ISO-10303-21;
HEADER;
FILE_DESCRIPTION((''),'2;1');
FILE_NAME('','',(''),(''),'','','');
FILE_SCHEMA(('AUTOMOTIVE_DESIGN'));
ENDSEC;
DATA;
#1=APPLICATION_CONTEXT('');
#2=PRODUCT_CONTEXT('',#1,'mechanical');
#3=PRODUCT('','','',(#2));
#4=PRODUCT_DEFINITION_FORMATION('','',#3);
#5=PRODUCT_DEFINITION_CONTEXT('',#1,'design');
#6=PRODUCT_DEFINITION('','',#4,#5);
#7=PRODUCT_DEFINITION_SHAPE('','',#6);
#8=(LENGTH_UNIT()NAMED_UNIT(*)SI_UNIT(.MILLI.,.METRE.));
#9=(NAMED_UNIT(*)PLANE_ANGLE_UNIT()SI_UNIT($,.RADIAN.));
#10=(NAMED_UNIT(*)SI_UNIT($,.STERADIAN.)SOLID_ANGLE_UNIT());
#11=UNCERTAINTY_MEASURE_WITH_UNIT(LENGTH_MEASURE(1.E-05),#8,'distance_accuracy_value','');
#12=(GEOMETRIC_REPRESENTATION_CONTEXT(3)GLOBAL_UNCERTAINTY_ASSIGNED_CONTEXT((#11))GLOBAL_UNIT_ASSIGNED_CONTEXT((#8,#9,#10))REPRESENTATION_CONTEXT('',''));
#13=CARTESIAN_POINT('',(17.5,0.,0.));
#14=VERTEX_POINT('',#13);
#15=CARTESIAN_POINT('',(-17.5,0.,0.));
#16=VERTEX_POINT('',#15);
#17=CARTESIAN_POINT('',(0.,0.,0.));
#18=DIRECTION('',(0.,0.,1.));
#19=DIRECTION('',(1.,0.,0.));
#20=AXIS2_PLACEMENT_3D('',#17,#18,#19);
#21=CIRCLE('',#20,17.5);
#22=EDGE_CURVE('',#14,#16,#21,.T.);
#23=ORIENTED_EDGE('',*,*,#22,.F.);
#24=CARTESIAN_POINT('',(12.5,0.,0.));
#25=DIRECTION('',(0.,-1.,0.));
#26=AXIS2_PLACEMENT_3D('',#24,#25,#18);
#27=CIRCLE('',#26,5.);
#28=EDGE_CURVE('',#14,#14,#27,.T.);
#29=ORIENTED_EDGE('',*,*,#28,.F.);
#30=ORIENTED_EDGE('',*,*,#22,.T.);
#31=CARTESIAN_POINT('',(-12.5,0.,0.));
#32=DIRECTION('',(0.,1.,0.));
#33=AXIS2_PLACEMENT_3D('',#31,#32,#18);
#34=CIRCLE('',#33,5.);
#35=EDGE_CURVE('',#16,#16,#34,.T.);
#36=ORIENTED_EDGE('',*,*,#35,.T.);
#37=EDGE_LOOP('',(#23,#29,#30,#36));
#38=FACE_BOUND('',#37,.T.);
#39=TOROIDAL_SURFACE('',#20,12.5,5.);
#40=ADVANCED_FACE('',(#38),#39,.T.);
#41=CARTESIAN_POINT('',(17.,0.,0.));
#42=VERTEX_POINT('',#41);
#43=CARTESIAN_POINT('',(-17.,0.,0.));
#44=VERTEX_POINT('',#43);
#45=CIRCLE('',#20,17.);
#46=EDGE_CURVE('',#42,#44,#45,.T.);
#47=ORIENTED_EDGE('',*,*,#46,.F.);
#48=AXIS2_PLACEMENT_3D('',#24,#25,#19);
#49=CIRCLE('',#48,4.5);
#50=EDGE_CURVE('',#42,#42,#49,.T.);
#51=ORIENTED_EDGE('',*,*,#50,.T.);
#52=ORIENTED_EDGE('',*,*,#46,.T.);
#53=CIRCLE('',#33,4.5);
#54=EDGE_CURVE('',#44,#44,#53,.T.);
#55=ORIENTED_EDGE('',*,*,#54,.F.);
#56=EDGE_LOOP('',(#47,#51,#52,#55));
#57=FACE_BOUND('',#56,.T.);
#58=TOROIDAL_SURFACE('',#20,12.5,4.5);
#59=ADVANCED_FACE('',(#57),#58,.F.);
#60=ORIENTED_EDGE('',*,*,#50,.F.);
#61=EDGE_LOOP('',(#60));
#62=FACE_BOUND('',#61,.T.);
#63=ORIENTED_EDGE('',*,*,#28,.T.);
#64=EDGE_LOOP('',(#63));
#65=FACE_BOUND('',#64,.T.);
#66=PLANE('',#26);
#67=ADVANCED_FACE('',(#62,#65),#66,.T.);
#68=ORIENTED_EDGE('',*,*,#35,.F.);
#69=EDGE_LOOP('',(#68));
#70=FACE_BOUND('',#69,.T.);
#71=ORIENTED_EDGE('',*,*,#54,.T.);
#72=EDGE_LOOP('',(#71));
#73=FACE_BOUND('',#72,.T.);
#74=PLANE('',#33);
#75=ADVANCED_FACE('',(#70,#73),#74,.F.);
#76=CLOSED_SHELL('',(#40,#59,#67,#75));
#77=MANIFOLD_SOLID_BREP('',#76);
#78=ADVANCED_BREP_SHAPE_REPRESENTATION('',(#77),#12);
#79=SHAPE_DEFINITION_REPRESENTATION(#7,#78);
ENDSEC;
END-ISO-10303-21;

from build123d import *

# Parameters (mm, degrees)
SKETCH2_R = 5
SHELL1_T  = -0.5


with BuildPart() as part:
    # Sweep1: sweep along a path in Sketch1
    with BuildLine(Plane.XY) as sweep1_path:
        ThreePointArc((-12.5, 0), (0, 12.5), (12.5, 0))
    # Sketch2 → Sweep1 (sweep)
    with BuildSketch(Plane(origin=(0, 0, 0), x_dir=(1, 0, 0), z_dir=(0, 1, 0))):
        with Locations((-12.5, 0)):
            Circle(SKETCH2_R)
    sweep(path=sweep1_path.line)

    # Shell1
    shell1_openings = [part.faces().sort_by_distance(p)[0] for p in [
        (12.5, 0, 0),
        (-12.5, 0, 0),
    ]]
    offset(amount=SHELL1_T, openings=shell1_openings, kind=Kind.INTERSECTION)


solid = part.part
